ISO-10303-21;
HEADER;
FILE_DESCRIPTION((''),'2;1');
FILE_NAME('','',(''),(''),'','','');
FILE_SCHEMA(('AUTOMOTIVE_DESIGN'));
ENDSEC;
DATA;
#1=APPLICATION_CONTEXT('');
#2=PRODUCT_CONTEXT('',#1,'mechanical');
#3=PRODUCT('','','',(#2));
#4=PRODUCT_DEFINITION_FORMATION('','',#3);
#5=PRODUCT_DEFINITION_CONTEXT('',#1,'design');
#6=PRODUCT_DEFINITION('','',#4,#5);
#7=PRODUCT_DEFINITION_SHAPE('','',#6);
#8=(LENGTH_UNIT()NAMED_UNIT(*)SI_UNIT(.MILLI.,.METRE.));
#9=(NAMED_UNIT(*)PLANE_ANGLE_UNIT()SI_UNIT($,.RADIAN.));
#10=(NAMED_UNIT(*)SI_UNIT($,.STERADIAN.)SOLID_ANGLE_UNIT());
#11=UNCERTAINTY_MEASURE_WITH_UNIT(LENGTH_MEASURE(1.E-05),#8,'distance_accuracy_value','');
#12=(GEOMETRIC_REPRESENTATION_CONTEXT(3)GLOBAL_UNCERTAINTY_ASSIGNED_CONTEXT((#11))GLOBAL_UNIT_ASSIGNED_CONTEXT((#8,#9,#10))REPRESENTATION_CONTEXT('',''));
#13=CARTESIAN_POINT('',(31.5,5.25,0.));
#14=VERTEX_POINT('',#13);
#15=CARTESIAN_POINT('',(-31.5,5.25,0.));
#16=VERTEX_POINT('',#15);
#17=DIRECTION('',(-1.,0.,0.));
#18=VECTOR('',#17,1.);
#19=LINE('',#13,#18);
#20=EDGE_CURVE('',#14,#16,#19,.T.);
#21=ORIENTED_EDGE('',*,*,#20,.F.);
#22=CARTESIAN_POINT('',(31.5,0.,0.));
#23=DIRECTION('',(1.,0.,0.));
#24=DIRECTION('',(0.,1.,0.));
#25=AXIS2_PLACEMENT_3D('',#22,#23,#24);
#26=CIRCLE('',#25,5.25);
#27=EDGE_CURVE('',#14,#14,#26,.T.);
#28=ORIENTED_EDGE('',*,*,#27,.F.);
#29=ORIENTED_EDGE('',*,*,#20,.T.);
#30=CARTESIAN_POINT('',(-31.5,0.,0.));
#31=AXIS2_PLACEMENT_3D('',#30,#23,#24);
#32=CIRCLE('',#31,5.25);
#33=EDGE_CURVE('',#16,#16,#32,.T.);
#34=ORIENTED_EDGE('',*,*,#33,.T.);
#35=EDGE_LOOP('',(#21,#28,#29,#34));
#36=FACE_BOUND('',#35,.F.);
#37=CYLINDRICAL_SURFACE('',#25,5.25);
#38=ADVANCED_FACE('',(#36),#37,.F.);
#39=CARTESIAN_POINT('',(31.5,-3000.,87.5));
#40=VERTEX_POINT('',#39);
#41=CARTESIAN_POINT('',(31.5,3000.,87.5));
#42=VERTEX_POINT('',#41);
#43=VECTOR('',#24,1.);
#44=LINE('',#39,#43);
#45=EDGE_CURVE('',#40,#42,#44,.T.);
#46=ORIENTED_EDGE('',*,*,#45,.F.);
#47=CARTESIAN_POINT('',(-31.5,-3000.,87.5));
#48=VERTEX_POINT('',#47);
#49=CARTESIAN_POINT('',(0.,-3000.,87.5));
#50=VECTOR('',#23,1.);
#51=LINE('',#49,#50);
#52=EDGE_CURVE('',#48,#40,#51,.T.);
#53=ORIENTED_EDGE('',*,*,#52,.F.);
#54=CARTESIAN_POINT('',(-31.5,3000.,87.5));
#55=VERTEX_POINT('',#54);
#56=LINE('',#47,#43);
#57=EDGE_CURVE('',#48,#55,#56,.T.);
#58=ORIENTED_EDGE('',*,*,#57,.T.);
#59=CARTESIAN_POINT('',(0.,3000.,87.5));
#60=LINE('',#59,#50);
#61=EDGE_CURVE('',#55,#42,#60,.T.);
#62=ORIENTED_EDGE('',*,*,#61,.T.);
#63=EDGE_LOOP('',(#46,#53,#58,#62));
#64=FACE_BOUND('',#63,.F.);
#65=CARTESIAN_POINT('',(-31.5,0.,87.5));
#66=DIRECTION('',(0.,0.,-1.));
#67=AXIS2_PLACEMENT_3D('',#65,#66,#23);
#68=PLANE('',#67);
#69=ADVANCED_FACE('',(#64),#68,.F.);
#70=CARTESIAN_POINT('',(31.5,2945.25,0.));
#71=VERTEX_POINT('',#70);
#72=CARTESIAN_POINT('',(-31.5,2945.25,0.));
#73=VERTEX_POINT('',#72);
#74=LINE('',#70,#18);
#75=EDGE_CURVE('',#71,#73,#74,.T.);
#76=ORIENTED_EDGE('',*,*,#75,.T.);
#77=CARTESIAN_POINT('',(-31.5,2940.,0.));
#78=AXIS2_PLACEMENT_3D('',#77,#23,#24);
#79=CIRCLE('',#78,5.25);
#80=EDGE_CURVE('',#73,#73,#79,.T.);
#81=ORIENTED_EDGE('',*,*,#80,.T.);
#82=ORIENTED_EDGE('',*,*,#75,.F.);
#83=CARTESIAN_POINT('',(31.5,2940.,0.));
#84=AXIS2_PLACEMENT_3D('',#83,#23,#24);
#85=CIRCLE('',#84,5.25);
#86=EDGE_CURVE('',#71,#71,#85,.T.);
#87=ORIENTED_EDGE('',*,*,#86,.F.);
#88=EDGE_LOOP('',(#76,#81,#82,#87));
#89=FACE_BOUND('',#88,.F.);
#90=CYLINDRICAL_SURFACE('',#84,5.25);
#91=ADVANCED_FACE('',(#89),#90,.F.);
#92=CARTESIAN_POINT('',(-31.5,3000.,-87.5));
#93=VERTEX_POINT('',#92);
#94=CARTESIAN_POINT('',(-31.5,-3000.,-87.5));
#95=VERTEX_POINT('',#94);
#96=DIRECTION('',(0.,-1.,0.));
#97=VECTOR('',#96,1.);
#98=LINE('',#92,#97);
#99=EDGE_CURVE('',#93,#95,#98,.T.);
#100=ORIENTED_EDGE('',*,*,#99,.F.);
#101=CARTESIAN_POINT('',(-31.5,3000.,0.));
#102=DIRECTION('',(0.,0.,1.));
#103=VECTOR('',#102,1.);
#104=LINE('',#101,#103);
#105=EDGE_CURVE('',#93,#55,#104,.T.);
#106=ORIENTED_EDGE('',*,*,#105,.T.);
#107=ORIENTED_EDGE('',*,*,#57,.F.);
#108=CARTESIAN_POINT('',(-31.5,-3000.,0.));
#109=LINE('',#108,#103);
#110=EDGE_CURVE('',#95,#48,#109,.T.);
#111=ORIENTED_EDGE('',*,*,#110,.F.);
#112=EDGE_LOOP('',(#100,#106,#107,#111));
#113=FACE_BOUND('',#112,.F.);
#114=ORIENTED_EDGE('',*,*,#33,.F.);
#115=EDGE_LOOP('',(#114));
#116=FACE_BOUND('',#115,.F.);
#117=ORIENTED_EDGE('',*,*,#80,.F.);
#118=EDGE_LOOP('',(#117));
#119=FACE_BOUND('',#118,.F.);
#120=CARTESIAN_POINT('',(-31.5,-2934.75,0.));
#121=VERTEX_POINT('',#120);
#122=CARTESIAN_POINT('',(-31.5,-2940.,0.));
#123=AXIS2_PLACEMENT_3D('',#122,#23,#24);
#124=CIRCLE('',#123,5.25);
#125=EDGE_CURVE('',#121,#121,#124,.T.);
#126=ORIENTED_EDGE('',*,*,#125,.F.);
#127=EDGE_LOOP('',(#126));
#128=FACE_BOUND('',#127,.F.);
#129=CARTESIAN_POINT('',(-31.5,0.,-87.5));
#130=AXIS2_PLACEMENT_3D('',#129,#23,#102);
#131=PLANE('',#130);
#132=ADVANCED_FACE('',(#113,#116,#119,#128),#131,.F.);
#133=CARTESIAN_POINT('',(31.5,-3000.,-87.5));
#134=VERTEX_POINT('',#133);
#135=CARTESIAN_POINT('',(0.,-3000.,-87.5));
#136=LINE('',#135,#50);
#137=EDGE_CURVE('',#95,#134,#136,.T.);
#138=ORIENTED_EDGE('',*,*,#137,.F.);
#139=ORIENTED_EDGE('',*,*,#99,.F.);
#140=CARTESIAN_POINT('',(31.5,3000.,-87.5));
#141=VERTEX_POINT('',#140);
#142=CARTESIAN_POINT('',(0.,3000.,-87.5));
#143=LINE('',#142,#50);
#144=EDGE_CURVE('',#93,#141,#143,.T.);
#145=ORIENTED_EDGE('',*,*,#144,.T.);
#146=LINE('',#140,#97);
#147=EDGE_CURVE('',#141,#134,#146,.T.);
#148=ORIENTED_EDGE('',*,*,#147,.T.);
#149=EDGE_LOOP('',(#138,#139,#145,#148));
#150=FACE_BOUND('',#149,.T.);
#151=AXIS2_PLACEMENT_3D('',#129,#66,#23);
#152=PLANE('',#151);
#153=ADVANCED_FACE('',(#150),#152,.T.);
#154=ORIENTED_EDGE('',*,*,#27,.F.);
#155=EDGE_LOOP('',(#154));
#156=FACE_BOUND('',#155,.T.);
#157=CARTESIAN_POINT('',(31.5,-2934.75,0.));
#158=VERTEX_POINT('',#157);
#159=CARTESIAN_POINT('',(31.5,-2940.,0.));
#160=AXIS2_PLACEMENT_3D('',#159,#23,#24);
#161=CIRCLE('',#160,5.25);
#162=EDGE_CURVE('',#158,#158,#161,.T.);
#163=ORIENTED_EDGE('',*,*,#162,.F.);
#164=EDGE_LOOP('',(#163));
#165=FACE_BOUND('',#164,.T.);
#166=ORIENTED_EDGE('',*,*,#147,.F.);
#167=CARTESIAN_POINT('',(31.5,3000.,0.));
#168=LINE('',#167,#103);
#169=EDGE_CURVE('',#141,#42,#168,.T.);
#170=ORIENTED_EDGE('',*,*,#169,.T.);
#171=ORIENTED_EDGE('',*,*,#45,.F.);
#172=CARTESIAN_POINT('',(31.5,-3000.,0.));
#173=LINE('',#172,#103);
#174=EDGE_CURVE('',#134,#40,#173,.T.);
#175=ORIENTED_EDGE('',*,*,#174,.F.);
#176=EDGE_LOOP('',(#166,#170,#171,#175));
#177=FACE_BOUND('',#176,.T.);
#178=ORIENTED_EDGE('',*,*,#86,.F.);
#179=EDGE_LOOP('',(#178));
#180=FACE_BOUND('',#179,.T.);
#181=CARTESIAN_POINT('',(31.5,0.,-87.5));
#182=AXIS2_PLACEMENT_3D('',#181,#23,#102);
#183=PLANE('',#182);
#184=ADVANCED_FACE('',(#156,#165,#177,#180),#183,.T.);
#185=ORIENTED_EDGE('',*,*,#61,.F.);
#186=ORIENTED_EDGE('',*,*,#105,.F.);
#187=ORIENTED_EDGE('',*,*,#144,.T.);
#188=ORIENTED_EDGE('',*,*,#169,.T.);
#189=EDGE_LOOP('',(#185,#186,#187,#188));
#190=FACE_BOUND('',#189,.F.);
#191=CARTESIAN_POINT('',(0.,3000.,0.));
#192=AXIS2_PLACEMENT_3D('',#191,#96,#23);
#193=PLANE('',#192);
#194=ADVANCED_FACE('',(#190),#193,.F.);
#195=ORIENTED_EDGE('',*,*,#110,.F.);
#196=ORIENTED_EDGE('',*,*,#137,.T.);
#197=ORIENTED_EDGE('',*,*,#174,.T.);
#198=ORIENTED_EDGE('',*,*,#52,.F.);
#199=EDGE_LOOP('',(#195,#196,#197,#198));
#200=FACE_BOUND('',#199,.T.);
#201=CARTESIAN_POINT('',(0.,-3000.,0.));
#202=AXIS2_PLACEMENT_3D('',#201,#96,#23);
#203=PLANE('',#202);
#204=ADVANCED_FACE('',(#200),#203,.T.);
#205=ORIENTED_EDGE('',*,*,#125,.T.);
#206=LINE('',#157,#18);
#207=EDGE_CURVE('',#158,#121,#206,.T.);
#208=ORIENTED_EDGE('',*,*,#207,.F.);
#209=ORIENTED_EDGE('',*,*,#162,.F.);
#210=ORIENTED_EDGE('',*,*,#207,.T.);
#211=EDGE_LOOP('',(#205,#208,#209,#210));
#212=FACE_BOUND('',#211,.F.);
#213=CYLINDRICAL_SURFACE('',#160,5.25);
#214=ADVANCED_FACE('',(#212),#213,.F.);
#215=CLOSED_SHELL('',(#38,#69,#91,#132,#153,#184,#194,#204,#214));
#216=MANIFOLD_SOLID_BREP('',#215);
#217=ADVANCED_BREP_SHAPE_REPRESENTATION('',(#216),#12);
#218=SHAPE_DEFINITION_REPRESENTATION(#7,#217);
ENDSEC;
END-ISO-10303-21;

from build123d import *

# Parameters (mm, degrees)
F0_W     = 63
F0_H     = 175
F1_DEPTH = 3000
F2_R     = 5.25
F3_DEPTH = 63.001


with BuildPart() as f1:
    # F0 (on Front) → F1 (new body, symmetric)
    with BuildSketch(Plane.XZ):
        Rectangle(F0_W, F0_H)
    extrude(amount=F1_DEPTH, both=True)

    # F2 (on face) → F3 (cut, through all)
    with BuildSketch(Plane.YZ.offset(31.5)):
        with Locations((-2940, 0)):
            Circle(F2_R)
        with Locations((2940, 0)):
            Circle(F2_R)
        Circle(F2_R)
    extrude(amount=-F3_DEPTH, mode=Mode.SUBTRACT)


solid = f1.part
